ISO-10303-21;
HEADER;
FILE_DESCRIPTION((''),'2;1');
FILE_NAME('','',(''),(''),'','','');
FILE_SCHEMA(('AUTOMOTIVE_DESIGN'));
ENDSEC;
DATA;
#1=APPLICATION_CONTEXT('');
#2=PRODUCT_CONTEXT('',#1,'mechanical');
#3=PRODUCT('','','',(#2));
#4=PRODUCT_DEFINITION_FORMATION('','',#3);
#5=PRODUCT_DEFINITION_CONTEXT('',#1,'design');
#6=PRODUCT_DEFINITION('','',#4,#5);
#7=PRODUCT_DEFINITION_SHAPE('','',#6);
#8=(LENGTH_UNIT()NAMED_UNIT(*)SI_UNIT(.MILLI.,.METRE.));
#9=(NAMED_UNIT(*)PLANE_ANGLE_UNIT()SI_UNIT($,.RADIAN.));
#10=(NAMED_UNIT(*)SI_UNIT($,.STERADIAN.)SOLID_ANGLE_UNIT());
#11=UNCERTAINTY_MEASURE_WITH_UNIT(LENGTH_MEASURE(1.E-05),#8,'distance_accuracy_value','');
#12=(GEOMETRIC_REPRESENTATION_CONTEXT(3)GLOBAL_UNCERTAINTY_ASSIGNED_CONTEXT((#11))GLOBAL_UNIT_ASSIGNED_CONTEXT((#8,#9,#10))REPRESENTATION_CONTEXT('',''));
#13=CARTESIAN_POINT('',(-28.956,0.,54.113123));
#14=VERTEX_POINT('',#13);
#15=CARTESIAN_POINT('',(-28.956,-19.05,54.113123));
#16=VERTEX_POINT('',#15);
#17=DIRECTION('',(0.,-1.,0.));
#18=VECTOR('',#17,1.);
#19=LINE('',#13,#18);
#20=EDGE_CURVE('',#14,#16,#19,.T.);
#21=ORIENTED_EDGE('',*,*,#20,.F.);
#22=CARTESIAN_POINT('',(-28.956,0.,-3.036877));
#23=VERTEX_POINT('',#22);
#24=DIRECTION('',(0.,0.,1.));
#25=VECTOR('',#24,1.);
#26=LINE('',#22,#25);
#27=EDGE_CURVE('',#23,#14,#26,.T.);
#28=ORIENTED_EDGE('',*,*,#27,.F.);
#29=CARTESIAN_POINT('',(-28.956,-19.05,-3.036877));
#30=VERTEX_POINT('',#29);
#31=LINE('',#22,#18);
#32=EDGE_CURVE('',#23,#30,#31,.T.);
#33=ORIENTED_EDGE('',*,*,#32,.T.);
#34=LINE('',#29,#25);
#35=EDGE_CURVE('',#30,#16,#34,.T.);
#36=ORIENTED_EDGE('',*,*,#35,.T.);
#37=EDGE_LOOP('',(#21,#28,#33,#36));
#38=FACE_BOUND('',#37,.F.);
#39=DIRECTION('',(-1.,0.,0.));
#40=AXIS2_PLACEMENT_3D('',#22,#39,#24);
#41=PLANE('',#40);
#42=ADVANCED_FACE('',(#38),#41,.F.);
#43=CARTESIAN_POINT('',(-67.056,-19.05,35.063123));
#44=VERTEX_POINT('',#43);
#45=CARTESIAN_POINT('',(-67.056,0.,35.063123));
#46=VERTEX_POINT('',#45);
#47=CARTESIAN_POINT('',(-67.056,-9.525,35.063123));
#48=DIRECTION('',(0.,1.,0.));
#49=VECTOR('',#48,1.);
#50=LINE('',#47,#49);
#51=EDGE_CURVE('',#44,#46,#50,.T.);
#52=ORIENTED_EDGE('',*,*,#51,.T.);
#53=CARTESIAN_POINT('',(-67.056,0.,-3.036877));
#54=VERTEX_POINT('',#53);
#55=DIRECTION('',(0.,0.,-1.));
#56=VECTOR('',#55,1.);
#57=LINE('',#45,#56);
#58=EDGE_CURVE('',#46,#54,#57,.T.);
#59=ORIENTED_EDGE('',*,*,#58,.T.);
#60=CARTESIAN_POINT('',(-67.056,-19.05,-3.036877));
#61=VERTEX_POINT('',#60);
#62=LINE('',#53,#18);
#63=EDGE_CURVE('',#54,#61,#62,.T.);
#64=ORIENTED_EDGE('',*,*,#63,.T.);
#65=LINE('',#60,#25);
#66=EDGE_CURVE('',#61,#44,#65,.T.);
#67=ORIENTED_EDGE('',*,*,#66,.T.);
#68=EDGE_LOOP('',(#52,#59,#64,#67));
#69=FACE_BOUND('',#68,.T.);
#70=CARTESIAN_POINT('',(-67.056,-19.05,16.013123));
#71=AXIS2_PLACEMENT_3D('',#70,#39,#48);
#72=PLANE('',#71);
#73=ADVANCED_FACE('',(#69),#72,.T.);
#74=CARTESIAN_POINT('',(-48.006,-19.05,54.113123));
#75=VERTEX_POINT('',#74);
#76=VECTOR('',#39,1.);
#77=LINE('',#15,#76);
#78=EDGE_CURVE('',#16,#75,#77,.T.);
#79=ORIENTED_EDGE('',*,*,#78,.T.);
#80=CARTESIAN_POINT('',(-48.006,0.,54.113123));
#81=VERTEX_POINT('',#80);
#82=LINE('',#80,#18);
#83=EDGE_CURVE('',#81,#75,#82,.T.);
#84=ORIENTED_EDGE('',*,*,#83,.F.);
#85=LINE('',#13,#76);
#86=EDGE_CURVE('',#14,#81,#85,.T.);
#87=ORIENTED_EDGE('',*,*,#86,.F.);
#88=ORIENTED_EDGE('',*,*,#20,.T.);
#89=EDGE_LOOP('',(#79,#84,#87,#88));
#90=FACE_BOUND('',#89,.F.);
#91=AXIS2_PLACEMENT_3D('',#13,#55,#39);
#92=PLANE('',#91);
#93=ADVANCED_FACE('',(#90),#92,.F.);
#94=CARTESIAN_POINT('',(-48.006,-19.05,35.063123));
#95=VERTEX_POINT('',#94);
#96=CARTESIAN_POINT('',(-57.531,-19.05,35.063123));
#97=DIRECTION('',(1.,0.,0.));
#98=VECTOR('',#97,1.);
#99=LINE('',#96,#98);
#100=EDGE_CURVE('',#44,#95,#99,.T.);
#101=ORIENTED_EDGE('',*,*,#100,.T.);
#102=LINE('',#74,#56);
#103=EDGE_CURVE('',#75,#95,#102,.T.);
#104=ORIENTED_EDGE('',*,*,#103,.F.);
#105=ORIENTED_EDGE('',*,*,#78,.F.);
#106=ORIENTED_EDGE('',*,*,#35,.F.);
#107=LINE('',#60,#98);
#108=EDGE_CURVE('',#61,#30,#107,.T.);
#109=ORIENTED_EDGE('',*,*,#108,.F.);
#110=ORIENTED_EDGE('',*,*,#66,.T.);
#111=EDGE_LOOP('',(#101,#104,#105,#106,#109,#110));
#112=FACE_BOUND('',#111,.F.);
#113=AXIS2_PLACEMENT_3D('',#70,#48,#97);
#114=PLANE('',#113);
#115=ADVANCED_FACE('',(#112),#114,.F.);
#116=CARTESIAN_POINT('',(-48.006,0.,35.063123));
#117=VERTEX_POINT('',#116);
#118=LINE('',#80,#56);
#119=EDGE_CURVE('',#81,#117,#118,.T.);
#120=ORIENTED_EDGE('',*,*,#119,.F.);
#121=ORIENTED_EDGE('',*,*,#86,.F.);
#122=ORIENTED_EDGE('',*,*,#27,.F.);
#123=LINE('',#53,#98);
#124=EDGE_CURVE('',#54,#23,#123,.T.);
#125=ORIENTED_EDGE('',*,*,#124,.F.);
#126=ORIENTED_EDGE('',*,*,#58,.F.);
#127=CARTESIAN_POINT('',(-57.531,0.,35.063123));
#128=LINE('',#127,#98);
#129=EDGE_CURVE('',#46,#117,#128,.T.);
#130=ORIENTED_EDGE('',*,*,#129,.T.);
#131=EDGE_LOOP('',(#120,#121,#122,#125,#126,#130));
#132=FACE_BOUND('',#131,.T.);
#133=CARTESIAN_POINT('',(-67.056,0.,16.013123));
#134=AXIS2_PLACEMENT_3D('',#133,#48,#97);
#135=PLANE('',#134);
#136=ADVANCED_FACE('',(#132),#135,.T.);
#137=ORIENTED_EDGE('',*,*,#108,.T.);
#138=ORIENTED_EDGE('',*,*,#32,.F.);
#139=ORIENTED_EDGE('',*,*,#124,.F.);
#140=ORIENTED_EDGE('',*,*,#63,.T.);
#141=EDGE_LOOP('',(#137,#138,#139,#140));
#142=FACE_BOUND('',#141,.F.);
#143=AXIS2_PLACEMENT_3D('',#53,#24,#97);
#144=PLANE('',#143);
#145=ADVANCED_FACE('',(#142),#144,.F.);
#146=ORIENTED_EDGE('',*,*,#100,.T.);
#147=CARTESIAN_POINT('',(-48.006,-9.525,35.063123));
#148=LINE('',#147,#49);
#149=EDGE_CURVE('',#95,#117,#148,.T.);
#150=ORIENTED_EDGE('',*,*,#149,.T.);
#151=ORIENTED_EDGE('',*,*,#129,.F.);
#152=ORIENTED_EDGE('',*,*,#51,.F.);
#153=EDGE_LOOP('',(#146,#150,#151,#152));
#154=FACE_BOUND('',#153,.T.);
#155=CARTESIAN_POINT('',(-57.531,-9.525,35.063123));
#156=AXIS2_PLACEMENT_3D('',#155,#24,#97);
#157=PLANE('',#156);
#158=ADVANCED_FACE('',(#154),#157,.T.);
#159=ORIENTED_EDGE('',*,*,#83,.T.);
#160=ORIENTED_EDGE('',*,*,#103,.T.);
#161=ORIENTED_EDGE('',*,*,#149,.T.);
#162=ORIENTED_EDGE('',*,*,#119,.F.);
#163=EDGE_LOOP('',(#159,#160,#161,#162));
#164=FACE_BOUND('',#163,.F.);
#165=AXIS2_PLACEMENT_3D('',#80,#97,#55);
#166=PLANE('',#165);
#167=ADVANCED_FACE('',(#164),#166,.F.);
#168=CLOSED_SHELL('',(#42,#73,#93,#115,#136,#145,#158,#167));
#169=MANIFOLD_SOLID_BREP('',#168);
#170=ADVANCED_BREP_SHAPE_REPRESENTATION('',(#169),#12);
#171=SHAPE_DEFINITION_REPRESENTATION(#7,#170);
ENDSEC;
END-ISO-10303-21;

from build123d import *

# Parameters (mm, degrees)
F0_W     = 19.05
F0_H     = 19.05
F1_DEPTH = 19.05
F2_W     = 19.05
F2_H     = 19.05
F3_DEPTH = 19.05


with BuildPart() as f1:
    # F0 (on Front) → F1 (new body)
    with BuildSketch(Plane.XZ):
        Polygon((-28.956, 54.113123), (-48.006, 54.113123), (-48.006, 16.013123), (-48.006, -3.036877), (-28.956, -3.036877), align=None)
        with Locations((-57.531, 6.488123)):
            Rectangle(F0_W, F0_H)
    extrude(amount=F1_DEPTH)

    # F2 (on face) → F3 (join)
    with BuildSketch(Plane.XY.offset(16.013123)):
        with Locations((-57.531, -9.525)):
            Rectangle(F2_W, F2_H)
    extrude(amount=F3_DEPTH)


solid = f1.part
